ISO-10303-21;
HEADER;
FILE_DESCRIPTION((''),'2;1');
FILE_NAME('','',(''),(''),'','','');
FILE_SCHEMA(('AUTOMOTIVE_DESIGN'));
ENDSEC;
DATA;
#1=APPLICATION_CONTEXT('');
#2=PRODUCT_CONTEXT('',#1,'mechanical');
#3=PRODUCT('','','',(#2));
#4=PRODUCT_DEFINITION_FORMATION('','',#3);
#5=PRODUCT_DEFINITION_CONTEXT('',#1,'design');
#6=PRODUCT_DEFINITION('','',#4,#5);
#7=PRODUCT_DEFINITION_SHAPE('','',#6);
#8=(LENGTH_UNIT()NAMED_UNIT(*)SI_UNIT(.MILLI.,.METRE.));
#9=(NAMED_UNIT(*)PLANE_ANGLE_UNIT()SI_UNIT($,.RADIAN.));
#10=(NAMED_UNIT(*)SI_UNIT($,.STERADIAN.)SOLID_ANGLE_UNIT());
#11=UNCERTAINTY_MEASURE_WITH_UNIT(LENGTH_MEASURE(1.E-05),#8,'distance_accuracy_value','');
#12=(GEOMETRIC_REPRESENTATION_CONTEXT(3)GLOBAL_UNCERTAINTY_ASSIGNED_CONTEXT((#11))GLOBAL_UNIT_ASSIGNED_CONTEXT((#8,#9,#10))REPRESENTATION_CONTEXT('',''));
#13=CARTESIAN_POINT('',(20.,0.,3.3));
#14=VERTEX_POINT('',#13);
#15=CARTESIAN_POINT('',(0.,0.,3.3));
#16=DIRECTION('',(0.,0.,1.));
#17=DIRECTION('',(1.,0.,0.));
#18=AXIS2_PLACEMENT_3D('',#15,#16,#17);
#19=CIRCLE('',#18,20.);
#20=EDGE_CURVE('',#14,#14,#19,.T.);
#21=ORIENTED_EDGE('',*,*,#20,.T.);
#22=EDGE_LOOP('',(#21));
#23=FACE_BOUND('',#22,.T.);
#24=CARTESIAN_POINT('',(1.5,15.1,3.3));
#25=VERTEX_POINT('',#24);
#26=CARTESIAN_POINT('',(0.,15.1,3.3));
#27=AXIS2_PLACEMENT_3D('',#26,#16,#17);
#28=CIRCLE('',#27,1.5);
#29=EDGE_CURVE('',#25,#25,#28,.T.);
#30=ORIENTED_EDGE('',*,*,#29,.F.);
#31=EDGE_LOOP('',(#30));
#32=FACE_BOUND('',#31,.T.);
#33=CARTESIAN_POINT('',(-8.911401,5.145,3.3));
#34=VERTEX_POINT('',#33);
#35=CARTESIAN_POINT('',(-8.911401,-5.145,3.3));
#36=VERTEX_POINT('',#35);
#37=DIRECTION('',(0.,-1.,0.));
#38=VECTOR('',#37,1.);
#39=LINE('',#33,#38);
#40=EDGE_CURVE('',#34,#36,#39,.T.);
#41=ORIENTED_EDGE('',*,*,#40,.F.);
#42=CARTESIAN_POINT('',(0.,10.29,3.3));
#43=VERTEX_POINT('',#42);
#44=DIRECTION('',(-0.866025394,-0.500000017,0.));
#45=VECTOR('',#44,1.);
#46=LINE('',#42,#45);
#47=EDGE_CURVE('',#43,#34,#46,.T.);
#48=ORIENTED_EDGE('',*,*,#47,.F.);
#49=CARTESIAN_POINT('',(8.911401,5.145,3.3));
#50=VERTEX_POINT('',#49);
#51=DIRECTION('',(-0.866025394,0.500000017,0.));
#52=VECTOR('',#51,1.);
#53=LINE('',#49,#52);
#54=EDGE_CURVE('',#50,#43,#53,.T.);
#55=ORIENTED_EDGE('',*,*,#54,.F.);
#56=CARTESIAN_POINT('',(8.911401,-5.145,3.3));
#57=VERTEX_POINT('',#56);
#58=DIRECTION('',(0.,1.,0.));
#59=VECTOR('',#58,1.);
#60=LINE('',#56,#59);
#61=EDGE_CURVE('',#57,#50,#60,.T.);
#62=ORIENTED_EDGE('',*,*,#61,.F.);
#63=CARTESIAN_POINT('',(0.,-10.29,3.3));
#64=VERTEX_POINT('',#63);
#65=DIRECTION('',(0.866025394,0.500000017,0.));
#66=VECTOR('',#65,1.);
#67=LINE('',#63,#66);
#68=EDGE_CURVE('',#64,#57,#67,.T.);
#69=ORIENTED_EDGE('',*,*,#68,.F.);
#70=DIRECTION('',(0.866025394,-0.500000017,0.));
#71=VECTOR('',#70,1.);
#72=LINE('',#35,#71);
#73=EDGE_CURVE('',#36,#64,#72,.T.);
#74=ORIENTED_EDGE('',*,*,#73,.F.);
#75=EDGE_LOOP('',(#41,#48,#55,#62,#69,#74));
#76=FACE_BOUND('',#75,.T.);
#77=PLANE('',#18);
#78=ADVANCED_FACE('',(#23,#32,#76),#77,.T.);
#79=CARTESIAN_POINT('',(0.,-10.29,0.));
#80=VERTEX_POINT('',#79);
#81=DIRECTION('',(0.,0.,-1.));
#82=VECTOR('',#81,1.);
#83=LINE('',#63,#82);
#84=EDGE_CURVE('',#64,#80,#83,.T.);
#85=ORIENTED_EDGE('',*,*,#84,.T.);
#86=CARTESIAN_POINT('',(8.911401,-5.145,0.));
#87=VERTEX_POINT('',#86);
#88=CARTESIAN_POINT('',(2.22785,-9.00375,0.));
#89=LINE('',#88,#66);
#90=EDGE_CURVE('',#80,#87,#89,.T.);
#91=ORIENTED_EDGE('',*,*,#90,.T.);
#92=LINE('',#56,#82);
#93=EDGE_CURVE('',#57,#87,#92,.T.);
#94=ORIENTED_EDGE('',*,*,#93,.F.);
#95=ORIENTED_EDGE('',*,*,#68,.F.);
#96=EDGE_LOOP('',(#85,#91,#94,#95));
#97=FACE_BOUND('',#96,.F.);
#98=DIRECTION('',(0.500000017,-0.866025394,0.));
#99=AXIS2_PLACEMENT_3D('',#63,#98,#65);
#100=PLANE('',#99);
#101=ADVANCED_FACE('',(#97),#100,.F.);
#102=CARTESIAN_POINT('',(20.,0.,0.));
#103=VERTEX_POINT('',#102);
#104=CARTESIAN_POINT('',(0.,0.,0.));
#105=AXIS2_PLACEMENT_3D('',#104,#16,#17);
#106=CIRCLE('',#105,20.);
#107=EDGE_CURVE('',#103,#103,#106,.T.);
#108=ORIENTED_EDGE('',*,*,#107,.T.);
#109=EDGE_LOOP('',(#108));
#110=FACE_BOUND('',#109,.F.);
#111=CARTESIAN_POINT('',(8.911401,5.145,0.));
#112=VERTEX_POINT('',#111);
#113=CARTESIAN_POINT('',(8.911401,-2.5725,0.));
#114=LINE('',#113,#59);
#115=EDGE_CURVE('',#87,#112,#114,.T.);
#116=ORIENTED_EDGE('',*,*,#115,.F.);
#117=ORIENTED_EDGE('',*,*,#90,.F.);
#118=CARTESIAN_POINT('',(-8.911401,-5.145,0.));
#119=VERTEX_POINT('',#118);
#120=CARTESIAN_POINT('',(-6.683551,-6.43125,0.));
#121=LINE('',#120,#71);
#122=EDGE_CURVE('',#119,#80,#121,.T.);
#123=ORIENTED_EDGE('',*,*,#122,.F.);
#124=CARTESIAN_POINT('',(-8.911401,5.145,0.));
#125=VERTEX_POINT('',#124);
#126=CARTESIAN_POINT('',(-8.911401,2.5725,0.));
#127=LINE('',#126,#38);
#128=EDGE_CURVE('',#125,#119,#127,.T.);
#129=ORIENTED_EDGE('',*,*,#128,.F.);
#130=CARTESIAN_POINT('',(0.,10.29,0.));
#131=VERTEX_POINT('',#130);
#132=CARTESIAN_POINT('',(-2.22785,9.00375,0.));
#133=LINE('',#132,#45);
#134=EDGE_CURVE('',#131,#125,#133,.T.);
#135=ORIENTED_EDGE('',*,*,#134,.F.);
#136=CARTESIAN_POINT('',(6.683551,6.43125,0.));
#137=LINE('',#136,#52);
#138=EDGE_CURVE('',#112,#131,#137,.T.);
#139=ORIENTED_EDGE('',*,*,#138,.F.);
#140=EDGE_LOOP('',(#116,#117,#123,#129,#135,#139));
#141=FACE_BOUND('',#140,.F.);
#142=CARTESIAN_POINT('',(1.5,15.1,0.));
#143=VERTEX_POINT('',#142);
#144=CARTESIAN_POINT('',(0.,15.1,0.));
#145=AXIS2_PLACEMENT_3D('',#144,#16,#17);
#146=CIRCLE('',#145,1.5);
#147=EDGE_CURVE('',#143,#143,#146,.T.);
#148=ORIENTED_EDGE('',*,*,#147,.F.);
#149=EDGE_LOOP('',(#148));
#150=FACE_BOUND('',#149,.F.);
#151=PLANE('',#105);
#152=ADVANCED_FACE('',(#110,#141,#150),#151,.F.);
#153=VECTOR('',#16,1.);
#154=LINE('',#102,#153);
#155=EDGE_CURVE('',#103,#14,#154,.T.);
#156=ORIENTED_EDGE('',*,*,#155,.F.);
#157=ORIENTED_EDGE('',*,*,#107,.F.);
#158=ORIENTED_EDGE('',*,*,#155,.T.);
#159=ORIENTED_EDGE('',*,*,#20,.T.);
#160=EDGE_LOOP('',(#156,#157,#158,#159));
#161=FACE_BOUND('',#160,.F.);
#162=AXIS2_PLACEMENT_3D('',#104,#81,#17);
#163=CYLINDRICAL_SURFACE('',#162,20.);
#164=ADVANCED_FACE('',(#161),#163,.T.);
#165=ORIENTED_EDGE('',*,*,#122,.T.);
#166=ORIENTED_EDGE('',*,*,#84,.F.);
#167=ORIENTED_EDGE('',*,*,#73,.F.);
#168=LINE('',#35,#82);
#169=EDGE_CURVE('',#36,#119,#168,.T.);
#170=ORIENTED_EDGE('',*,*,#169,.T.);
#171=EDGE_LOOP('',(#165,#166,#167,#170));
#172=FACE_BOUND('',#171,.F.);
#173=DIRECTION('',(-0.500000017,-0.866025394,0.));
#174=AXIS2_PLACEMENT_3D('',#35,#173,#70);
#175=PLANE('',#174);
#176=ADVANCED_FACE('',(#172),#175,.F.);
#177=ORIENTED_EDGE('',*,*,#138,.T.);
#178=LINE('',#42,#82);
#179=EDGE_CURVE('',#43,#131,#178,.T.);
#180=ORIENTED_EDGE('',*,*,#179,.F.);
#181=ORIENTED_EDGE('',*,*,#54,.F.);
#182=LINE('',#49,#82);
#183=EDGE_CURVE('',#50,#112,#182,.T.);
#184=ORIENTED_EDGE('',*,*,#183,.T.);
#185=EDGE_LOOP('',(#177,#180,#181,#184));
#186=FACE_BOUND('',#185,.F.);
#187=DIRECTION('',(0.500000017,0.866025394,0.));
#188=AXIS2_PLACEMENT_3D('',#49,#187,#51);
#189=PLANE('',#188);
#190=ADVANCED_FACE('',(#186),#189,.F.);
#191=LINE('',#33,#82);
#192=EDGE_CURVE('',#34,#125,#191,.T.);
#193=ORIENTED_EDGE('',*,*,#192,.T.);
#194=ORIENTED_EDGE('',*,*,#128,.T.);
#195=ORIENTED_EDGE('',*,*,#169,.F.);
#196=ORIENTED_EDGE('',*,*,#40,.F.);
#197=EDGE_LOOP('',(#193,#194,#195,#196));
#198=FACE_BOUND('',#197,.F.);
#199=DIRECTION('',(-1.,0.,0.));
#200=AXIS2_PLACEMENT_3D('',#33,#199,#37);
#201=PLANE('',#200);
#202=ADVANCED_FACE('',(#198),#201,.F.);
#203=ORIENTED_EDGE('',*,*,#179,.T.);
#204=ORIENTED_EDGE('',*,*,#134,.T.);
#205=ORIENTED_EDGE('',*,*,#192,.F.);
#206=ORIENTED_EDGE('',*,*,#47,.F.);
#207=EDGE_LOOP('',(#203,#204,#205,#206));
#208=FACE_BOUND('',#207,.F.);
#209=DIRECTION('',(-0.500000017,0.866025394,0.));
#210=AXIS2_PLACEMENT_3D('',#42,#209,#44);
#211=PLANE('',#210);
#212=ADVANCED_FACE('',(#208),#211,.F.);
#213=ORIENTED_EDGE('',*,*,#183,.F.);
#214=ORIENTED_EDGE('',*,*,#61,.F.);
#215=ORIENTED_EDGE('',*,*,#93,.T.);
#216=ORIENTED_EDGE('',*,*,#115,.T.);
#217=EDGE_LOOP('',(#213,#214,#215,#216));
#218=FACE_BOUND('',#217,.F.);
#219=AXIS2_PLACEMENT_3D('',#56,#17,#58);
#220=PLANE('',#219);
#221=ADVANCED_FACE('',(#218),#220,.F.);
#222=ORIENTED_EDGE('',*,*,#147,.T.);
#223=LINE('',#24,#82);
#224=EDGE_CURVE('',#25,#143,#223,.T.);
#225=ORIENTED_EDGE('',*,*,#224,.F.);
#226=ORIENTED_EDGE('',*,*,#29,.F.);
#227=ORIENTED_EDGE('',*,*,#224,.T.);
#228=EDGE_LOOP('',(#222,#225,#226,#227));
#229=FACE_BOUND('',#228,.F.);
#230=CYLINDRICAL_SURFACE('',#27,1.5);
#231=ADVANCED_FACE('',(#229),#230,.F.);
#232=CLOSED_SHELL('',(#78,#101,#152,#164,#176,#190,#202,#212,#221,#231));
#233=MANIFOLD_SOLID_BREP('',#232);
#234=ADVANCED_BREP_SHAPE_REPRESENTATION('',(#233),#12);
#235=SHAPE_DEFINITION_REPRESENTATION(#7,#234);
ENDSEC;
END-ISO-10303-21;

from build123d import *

# Parameters (mm, degrees)
CYLINDER_R      = 20
CYLINDER_DEPTH  = 3.3
SKETCH_R        = 1.5
POCKET_DEPTH    = 3.301
POCKET001_DEPTH = 5


with BuildPart() as part:
    # Cylinder → Cylinder (new body)
    with BuildSketch(Plane.XY):
        Circle(CYLINDER_R)
    extrude(amount=CYLINDER_DEPTH)

    # Sketch (on Face2 of Cylinder) → Pocket (cut, through all)
    with BuildSketch(Plane.XY.offset(3.3)):
        with Locations((0, 15.1)):
            Circle(SKETCH_R)
    extrude(amount=-POCKET_DEPTH, mode=Mode.SUBTRACT)

    # CopySketch001 → Pocket001 (cut)
    with BuildSketch(Plane.XY.offset(3.3)):
        Polygon((8.911401, 5.145), (0, 10.29), (-8.911401, 5.145), (-8.911401, -5.145), (0, -10.29), (8.911401, -5.145), align=None)
    extrude(amount=-POCKET001_DEPTH, mode=Mode.SUBTRACT)


solid = part.part
